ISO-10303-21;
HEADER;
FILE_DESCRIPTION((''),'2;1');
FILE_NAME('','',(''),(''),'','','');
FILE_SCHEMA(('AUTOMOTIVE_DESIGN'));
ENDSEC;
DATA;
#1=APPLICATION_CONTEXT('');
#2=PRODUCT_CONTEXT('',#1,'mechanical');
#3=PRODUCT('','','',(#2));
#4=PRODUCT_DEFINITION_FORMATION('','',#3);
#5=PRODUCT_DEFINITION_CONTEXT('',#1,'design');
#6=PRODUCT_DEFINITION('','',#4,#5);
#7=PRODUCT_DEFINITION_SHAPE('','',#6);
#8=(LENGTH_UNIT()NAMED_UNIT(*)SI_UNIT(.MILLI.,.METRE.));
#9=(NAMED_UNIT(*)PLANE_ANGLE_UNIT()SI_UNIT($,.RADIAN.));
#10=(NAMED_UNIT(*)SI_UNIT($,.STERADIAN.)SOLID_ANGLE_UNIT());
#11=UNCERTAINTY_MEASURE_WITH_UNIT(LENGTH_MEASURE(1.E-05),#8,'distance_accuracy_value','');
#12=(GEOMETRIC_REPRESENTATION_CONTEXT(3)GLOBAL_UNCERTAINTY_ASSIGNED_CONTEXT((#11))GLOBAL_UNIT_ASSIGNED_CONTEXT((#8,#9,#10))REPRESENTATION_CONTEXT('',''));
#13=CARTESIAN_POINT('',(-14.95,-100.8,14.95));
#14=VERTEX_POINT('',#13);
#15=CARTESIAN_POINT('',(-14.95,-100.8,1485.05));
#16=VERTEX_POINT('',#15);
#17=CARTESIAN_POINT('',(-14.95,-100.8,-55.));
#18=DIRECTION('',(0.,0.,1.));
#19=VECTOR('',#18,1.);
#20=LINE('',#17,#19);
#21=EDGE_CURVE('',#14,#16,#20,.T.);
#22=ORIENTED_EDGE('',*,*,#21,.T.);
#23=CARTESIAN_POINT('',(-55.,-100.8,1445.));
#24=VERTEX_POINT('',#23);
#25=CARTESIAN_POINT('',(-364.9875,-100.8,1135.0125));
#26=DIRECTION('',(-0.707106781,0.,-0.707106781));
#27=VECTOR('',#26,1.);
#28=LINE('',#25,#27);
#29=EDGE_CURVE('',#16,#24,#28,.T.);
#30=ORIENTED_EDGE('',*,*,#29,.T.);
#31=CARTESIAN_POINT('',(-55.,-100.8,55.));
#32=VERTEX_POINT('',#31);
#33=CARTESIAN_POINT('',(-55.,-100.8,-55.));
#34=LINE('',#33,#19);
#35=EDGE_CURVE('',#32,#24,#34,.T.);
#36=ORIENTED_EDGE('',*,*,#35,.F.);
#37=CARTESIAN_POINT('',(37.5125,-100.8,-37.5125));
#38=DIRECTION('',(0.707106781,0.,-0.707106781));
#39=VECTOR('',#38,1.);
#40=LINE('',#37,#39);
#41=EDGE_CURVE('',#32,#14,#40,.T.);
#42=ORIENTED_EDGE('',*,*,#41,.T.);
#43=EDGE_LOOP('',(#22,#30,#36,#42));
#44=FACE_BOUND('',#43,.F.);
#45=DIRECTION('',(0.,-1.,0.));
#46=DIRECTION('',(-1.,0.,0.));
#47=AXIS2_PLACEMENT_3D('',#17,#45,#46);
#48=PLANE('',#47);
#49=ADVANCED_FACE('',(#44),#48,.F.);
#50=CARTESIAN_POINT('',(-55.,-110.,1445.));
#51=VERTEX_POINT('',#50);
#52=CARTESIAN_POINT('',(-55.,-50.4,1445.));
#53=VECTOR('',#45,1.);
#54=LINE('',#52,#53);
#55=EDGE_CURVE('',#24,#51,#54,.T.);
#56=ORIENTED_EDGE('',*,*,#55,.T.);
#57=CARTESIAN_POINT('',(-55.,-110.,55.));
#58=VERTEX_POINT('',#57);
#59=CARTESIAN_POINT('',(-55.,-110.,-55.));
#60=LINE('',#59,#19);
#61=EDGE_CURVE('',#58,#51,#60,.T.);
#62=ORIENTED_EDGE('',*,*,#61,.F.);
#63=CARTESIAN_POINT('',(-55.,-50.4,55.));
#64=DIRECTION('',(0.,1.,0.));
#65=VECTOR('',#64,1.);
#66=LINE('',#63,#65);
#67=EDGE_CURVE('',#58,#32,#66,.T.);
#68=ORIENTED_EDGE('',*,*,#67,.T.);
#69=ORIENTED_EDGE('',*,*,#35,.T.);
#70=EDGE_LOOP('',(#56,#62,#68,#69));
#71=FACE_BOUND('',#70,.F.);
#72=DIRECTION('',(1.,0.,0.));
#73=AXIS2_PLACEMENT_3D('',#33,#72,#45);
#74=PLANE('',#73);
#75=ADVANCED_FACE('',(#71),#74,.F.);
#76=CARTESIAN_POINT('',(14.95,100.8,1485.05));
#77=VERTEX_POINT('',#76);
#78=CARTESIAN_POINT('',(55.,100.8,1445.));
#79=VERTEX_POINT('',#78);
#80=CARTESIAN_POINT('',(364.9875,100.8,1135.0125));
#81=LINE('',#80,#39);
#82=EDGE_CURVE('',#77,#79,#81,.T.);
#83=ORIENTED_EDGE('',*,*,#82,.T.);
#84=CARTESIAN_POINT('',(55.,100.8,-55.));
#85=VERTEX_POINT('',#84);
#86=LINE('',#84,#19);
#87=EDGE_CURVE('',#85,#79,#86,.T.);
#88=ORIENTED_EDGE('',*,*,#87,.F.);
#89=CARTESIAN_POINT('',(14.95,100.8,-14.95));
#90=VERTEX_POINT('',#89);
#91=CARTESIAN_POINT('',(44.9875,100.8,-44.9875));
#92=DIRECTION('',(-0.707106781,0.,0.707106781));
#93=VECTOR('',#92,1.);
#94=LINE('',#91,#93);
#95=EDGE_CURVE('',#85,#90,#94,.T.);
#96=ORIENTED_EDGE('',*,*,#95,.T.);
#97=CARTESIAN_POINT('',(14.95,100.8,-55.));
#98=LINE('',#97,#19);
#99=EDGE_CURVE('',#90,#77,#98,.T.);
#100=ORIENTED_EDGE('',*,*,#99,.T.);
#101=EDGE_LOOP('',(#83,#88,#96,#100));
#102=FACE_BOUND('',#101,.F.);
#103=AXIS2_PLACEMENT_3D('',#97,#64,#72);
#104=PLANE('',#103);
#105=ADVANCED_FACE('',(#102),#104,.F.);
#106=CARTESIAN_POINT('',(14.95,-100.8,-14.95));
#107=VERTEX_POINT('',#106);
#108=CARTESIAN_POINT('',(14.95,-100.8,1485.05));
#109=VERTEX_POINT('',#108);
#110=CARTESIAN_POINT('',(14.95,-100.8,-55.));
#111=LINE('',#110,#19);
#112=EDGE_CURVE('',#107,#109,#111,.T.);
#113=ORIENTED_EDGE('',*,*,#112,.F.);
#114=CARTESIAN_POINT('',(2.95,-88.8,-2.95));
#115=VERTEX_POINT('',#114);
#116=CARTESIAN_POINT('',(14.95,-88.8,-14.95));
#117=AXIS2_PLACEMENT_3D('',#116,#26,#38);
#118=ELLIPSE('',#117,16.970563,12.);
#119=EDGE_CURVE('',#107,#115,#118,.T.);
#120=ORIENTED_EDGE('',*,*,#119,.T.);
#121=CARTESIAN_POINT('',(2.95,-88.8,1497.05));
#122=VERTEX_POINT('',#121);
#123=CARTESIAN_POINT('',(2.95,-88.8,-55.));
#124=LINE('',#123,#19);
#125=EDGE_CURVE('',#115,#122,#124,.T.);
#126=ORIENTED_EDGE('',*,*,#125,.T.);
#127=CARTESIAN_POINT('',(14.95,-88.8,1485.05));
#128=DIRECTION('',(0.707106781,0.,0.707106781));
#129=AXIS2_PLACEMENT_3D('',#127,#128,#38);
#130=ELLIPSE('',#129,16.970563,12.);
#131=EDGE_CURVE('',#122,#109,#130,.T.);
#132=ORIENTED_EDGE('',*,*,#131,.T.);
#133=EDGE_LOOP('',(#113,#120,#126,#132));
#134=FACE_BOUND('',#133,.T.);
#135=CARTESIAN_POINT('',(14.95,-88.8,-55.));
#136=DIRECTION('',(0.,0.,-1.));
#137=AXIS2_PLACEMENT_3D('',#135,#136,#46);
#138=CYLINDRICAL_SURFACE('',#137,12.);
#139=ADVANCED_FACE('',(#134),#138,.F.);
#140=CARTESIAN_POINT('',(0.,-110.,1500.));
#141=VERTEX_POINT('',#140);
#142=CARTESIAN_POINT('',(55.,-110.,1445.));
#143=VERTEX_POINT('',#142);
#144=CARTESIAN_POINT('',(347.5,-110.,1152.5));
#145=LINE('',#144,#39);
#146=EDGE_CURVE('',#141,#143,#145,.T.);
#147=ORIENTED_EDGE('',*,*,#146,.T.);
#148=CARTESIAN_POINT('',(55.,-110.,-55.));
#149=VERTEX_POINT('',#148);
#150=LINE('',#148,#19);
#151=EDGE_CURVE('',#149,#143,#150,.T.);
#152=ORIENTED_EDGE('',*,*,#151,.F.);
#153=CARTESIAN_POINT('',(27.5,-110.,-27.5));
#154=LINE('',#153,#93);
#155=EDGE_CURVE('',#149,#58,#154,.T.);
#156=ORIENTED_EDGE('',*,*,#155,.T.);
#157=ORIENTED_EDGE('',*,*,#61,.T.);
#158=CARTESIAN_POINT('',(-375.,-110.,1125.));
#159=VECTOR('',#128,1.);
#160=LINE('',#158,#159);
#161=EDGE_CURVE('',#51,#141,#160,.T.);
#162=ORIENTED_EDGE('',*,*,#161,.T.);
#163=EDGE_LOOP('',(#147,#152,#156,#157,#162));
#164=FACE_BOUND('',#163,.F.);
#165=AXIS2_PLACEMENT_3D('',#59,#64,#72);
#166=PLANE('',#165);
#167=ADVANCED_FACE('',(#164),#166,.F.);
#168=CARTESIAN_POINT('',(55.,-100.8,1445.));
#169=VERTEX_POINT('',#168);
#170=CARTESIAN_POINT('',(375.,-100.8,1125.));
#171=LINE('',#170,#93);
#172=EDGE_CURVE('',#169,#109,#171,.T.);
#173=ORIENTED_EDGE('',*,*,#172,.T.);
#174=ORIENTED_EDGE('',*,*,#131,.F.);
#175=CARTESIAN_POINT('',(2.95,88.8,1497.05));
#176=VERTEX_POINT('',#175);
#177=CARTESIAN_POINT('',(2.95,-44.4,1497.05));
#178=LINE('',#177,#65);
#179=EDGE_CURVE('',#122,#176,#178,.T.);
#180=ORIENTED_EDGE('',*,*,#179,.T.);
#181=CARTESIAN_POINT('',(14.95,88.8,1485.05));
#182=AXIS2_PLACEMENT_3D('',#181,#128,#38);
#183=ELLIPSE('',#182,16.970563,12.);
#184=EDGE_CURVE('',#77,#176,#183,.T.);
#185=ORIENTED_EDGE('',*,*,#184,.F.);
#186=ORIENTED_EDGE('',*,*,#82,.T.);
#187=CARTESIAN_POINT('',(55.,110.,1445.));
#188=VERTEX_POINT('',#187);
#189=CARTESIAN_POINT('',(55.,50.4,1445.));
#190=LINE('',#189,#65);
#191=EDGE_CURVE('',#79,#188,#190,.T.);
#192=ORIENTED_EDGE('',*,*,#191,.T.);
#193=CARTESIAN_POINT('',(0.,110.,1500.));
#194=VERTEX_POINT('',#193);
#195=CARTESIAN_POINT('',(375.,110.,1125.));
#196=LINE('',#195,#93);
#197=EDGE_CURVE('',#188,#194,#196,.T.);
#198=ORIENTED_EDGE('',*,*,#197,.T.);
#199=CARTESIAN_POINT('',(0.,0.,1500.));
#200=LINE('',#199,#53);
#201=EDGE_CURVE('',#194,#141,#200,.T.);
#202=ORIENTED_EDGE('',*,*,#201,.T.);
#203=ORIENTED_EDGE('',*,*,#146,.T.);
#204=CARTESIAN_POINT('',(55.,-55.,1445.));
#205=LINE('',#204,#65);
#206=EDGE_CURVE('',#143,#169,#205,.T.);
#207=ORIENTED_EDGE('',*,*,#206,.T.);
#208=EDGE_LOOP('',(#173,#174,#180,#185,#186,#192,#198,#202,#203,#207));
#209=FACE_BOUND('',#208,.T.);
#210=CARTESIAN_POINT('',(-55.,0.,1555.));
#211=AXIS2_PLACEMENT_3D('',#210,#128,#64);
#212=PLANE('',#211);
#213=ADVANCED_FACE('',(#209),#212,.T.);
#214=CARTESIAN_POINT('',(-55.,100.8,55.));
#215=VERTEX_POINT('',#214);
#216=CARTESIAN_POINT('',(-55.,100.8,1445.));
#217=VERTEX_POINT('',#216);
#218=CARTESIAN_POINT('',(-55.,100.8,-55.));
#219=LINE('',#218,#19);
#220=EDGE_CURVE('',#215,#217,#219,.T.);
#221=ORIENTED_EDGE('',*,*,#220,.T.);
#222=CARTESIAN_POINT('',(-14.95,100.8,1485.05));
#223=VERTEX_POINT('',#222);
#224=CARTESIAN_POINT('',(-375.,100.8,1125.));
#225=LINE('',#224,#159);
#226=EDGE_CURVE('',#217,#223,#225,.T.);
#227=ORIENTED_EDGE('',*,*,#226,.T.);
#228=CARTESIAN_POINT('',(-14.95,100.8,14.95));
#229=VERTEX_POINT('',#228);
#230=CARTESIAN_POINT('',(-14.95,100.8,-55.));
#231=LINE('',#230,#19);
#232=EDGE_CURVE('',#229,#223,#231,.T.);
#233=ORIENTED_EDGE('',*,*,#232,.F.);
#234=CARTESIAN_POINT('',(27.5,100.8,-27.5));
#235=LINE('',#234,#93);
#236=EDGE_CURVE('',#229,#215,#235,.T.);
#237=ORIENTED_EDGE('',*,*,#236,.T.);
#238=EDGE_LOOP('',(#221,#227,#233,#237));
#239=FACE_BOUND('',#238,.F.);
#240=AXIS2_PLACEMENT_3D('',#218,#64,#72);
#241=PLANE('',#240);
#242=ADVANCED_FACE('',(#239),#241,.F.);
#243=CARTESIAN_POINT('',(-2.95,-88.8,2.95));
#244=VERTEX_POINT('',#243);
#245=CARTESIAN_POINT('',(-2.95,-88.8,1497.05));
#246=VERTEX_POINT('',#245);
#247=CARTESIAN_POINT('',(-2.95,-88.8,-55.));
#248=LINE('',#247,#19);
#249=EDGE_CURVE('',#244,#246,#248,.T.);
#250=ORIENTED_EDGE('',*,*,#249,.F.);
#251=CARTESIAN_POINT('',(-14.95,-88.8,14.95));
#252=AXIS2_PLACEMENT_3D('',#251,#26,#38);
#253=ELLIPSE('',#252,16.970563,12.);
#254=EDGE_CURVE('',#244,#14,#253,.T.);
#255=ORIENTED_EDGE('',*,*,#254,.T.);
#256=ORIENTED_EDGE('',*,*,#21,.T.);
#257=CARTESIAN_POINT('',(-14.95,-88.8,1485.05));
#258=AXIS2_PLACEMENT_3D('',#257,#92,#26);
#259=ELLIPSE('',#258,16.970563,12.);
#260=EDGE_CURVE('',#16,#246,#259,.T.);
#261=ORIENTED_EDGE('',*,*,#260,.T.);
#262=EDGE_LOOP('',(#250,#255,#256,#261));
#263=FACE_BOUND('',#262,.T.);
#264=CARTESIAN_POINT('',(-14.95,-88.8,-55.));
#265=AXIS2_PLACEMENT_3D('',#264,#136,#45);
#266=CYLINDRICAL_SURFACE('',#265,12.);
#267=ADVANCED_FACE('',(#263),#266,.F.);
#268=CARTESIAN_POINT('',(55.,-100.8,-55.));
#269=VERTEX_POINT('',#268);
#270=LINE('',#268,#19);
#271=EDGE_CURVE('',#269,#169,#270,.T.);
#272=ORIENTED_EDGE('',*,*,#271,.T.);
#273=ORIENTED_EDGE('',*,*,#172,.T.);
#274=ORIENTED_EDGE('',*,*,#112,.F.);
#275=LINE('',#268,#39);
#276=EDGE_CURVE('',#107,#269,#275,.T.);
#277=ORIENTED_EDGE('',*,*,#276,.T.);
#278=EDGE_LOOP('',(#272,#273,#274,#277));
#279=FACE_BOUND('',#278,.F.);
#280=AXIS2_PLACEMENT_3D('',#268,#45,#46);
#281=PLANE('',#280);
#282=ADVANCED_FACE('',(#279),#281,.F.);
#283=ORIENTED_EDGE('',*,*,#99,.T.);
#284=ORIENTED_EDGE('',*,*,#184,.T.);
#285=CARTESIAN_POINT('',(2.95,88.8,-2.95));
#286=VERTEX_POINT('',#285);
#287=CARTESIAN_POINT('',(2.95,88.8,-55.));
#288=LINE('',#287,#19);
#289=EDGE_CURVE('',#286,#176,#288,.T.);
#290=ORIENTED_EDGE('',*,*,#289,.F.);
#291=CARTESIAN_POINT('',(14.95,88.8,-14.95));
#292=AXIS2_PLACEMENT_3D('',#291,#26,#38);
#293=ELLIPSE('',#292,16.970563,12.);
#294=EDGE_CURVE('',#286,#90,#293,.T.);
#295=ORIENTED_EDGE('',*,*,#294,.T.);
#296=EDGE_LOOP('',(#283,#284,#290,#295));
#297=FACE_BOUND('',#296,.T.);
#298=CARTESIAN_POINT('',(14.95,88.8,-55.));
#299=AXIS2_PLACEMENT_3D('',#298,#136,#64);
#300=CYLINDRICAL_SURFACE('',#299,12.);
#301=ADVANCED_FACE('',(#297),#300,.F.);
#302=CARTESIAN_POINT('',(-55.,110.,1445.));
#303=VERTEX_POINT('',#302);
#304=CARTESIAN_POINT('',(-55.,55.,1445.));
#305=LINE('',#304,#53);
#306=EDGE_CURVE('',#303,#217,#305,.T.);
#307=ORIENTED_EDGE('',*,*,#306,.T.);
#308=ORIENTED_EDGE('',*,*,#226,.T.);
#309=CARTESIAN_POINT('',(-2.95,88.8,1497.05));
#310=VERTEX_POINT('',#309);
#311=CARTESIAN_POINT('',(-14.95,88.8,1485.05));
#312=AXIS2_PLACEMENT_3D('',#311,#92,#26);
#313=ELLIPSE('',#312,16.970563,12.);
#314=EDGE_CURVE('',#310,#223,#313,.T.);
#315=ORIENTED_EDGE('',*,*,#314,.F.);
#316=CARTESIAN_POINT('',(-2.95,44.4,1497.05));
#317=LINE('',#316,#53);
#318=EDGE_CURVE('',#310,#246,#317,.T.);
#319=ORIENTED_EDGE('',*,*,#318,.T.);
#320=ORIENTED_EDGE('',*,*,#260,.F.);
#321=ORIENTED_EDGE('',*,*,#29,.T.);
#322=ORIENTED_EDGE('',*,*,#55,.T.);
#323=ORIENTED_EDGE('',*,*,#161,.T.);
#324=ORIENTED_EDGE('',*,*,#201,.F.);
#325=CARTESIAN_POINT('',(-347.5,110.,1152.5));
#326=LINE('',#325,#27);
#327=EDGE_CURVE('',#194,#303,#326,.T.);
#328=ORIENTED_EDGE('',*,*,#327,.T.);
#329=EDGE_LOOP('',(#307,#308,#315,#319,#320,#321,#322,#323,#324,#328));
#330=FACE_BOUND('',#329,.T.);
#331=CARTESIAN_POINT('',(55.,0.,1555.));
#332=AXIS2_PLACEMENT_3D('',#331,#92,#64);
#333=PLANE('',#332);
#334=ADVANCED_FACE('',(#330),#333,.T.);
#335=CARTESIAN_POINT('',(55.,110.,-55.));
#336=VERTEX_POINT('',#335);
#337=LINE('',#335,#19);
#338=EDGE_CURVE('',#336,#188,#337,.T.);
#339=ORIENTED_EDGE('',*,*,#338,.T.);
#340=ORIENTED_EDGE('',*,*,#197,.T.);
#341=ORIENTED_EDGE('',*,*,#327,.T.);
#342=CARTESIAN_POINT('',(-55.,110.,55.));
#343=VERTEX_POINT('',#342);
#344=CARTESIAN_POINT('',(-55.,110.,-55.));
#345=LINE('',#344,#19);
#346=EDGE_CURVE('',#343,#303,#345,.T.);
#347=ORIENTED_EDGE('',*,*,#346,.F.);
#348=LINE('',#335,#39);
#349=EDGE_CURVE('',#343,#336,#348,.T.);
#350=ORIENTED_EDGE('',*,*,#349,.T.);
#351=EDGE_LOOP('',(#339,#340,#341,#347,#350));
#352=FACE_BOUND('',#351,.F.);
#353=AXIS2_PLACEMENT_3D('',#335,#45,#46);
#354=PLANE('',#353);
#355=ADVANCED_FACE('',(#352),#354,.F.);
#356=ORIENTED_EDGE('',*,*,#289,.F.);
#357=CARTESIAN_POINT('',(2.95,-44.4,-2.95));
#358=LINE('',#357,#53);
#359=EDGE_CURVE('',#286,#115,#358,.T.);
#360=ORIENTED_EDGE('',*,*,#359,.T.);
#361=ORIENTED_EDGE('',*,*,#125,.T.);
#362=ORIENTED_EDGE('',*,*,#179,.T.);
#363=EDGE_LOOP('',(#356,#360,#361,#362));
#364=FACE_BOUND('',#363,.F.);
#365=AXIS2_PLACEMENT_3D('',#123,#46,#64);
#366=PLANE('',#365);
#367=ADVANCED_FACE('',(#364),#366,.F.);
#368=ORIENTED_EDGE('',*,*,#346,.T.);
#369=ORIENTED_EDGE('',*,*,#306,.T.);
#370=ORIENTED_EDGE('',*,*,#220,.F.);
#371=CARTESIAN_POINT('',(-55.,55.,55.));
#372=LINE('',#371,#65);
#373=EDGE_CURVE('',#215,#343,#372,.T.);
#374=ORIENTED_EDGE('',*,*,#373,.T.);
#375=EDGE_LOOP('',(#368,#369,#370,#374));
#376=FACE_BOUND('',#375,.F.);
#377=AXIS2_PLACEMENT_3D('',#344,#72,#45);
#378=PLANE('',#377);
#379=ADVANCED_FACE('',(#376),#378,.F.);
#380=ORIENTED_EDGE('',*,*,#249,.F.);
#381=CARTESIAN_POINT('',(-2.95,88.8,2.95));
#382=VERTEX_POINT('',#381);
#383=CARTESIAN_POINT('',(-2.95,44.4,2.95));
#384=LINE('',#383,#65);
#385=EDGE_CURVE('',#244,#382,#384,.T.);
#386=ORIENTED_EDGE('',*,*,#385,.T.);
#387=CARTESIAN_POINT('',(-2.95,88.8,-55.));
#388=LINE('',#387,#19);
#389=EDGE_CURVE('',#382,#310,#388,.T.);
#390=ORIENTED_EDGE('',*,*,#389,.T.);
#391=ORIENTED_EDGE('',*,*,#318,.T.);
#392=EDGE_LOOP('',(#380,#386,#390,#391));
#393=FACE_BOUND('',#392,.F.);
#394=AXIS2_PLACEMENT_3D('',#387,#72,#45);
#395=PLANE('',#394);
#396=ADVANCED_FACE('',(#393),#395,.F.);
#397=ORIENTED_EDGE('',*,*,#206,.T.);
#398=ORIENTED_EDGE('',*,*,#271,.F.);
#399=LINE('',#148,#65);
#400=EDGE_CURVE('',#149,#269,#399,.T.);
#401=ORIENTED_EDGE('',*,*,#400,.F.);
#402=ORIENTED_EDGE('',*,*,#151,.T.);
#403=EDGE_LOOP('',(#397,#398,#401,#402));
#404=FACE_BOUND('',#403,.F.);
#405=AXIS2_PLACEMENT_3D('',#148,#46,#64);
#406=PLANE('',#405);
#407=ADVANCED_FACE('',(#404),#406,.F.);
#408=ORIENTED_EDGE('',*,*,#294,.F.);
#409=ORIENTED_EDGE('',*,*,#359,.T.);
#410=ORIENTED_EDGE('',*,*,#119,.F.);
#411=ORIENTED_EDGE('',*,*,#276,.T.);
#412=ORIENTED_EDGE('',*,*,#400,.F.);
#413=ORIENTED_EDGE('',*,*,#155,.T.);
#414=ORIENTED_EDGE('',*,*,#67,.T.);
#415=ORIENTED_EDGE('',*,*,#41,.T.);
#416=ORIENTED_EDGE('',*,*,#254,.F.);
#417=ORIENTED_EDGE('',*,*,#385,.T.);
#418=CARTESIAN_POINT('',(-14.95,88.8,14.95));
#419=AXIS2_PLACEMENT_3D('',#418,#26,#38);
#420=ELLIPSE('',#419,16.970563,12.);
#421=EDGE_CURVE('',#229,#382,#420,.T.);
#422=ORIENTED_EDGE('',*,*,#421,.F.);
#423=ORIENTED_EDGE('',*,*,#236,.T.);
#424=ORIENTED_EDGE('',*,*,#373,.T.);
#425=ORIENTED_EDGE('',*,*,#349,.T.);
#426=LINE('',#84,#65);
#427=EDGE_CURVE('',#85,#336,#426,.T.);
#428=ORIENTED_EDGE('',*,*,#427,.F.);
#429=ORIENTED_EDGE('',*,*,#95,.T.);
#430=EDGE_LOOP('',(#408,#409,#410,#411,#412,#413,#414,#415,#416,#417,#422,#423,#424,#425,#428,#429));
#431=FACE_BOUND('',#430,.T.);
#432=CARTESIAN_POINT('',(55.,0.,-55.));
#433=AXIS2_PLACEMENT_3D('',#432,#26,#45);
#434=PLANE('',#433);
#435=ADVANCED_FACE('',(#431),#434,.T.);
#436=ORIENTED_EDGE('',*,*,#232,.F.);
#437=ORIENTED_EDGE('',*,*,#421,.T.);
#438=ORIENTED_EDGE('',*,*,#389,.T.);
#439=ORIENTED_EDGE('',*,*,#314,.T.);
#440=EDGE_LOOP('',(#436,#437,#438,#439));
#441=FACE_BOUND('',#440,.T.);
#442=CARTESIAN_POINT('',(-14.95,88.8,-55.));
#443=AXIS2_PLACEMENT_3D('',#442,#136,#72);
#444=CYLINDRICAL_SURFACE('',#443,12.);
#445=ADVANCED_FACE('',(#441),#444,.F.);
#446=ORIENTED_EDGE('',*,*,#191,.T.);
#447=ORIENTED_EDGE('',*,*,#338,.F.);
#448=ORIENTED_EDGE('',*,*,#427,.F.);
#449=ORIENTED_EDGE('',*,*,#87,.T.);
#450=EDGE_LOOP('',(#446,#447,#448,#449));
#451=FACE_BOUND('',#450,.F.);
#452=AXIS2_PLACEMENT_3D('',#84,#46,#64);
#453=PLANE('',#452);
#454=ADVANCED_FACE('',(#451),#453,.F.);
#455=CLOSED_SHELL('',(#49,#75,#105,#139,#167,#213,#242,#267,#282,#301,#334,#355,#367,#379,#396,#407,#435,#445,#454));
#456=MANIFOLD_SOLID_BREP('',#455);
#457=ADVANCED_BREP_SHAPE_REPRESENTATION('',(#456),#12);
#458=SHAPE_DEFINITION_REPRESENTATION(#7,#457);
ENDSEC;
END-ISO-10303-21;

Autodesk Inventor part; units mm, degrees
ref_plane "Start plane" through (0, 0, -55) normal (0, 0, 1) x (1, 0, 0)
ref_plane "End plane" through (0, 0, 1500) normal (0, 0, 1) x (1, 0, 0)
sketch "Sketch2" plane through (0, 0, 0) normal (0, 0, 1) x (1, 0, 0)
  line L0 (-55, 100.8) -> (-14.95, 100.8)
  line L1 (-55, 110) -> (-55, 100.8)
  line L2 (55, 110) -> (-55, 110)
  line L3 (55, 100.8) -> (55, 110)
  line L4 (14.95, 100.8) -> (55, 100.8)
  line L5 (2.95, -88.8) -> (2.95, 88.8)
  line L6 (55, -100.8) -> (14.95, -100.8)
  line L7 (55, -110) -> (55, -100.8)
  line L8 (-55, -100.8) -> (-55, -110)
  line L9 (-14.95, -100.8) -> (-55, -100.8)
  line L10 (-2.95, 88.8) -> (-2.95, -88.8)
  line L11 (0, -154) -> (0, 154) construction
  line L12 (-2.95, -100.8) -> (2.95, -100.8) construction
  arc A0 (-14.95, -100.8) -> (-2.95, -88.8) centre (-14.95, -88.8) ccw
  arc A1 (-2.95, 88.8) -> (-14.95, 100.8) centre (-14.95, 88.8) ccw
  arc A2 (14.95, 100.8) -> (2.95, 88.8) centre (14.95, 88.8) ccw
  arc A3 (2.95, -88.8) -> (14.95, -100.8) centre (14.95, -88.8) ccw
  line L13 (-77, 0) -> (77, 0) construction
  line L14 (-55, -110) -> (55, -110)
  point P0 (-2.95, 100.8)
  point P1 (2.95, 100.8)
  point P2 (0, 0)
  point P3 (0, -100.8)
  point P4 (0, 0)
  dimension "d1" = 220
  dimension "d3" = 9.2
  dimension "d5" = 5.9
  dimension "d7" = 110
  dimension "d13" = 12
  dimension "d14" = 110
  dimension "d15" = 55
extrude "Body" add sketch "Sketch2" along normal up to surface (1555 mm away) from surface at -55
sketch "Sketch3" plane through (0, 0, 0) normal (0, 0, 1) x (1, 0, 0)
  line L0 (0, 0) -> (10, 0)
ref_plane "Work Plane3" through (0, 0, 0) normal (0, -1, 0) x (1, 0, 0)
ref_plane "Work Plane4" through (55, 0, 1555) normal (-0.7071, 0, 0.7071) x (0.7071, 0, 0.7071)
split "Split1" plane through (55, 0, 1555) removes the side toward (-0.7071, 0, 0.7071)
ref_plane "Work Plane5" through (55, 0, -55) normal (-0.7071, 0, -0.7071) x (-0.7071, 0, 0.7071)
split "Split2" plane through (55, 0, -55) removes the side toward (-0.7071, 0, -0.7071)
ref_plane "Work Plane6" through (-55, 0, 1555) normal (0.7071, 0, 0.7071) x (0.7071, 0, -0.7071)
split "Split3" plane through (-55, 0, 1555) removes the side toward (0.7071, 0, 0.7071)
sketch "Sketch4" plane through (0, 0, 0) normal (0, -1, 0) x (1, 0, 0)
  line L0 (-2, -55) -> (12, -55) projected
  line L1 (-2, 1500) -> (12, 1500) projected
  dimension "d19" = 1555
equation "\"d1\" = ParH"
equation "\"d3\" = t2"
equation "\"d5\" = t1"
equation "\"d7\" = b"
equation "\"d13\" = R1"
equation "\"d14\" = 0.5 * d1"
equation "\"d15\" = 0.5 * d7"
equation "\"d8\" = G_L"
equation "\"b\" = 110"
equation "\"ParH\" = 220"
equation "\"R1\" = 12"
equation "\"G_L\" = d19"
equation "\"t1\" = 5.9"
equation "\"t2\" = 9.2"
equation "\"G_OFFSET_START\" = 55"
equation "\"G_OFFSET_END\" = 0"
equation "\"d16\" = -G_OFFSET_START"
properties part number "DIN 1025 - IPE 220-1555" material "Steel, Mild"
